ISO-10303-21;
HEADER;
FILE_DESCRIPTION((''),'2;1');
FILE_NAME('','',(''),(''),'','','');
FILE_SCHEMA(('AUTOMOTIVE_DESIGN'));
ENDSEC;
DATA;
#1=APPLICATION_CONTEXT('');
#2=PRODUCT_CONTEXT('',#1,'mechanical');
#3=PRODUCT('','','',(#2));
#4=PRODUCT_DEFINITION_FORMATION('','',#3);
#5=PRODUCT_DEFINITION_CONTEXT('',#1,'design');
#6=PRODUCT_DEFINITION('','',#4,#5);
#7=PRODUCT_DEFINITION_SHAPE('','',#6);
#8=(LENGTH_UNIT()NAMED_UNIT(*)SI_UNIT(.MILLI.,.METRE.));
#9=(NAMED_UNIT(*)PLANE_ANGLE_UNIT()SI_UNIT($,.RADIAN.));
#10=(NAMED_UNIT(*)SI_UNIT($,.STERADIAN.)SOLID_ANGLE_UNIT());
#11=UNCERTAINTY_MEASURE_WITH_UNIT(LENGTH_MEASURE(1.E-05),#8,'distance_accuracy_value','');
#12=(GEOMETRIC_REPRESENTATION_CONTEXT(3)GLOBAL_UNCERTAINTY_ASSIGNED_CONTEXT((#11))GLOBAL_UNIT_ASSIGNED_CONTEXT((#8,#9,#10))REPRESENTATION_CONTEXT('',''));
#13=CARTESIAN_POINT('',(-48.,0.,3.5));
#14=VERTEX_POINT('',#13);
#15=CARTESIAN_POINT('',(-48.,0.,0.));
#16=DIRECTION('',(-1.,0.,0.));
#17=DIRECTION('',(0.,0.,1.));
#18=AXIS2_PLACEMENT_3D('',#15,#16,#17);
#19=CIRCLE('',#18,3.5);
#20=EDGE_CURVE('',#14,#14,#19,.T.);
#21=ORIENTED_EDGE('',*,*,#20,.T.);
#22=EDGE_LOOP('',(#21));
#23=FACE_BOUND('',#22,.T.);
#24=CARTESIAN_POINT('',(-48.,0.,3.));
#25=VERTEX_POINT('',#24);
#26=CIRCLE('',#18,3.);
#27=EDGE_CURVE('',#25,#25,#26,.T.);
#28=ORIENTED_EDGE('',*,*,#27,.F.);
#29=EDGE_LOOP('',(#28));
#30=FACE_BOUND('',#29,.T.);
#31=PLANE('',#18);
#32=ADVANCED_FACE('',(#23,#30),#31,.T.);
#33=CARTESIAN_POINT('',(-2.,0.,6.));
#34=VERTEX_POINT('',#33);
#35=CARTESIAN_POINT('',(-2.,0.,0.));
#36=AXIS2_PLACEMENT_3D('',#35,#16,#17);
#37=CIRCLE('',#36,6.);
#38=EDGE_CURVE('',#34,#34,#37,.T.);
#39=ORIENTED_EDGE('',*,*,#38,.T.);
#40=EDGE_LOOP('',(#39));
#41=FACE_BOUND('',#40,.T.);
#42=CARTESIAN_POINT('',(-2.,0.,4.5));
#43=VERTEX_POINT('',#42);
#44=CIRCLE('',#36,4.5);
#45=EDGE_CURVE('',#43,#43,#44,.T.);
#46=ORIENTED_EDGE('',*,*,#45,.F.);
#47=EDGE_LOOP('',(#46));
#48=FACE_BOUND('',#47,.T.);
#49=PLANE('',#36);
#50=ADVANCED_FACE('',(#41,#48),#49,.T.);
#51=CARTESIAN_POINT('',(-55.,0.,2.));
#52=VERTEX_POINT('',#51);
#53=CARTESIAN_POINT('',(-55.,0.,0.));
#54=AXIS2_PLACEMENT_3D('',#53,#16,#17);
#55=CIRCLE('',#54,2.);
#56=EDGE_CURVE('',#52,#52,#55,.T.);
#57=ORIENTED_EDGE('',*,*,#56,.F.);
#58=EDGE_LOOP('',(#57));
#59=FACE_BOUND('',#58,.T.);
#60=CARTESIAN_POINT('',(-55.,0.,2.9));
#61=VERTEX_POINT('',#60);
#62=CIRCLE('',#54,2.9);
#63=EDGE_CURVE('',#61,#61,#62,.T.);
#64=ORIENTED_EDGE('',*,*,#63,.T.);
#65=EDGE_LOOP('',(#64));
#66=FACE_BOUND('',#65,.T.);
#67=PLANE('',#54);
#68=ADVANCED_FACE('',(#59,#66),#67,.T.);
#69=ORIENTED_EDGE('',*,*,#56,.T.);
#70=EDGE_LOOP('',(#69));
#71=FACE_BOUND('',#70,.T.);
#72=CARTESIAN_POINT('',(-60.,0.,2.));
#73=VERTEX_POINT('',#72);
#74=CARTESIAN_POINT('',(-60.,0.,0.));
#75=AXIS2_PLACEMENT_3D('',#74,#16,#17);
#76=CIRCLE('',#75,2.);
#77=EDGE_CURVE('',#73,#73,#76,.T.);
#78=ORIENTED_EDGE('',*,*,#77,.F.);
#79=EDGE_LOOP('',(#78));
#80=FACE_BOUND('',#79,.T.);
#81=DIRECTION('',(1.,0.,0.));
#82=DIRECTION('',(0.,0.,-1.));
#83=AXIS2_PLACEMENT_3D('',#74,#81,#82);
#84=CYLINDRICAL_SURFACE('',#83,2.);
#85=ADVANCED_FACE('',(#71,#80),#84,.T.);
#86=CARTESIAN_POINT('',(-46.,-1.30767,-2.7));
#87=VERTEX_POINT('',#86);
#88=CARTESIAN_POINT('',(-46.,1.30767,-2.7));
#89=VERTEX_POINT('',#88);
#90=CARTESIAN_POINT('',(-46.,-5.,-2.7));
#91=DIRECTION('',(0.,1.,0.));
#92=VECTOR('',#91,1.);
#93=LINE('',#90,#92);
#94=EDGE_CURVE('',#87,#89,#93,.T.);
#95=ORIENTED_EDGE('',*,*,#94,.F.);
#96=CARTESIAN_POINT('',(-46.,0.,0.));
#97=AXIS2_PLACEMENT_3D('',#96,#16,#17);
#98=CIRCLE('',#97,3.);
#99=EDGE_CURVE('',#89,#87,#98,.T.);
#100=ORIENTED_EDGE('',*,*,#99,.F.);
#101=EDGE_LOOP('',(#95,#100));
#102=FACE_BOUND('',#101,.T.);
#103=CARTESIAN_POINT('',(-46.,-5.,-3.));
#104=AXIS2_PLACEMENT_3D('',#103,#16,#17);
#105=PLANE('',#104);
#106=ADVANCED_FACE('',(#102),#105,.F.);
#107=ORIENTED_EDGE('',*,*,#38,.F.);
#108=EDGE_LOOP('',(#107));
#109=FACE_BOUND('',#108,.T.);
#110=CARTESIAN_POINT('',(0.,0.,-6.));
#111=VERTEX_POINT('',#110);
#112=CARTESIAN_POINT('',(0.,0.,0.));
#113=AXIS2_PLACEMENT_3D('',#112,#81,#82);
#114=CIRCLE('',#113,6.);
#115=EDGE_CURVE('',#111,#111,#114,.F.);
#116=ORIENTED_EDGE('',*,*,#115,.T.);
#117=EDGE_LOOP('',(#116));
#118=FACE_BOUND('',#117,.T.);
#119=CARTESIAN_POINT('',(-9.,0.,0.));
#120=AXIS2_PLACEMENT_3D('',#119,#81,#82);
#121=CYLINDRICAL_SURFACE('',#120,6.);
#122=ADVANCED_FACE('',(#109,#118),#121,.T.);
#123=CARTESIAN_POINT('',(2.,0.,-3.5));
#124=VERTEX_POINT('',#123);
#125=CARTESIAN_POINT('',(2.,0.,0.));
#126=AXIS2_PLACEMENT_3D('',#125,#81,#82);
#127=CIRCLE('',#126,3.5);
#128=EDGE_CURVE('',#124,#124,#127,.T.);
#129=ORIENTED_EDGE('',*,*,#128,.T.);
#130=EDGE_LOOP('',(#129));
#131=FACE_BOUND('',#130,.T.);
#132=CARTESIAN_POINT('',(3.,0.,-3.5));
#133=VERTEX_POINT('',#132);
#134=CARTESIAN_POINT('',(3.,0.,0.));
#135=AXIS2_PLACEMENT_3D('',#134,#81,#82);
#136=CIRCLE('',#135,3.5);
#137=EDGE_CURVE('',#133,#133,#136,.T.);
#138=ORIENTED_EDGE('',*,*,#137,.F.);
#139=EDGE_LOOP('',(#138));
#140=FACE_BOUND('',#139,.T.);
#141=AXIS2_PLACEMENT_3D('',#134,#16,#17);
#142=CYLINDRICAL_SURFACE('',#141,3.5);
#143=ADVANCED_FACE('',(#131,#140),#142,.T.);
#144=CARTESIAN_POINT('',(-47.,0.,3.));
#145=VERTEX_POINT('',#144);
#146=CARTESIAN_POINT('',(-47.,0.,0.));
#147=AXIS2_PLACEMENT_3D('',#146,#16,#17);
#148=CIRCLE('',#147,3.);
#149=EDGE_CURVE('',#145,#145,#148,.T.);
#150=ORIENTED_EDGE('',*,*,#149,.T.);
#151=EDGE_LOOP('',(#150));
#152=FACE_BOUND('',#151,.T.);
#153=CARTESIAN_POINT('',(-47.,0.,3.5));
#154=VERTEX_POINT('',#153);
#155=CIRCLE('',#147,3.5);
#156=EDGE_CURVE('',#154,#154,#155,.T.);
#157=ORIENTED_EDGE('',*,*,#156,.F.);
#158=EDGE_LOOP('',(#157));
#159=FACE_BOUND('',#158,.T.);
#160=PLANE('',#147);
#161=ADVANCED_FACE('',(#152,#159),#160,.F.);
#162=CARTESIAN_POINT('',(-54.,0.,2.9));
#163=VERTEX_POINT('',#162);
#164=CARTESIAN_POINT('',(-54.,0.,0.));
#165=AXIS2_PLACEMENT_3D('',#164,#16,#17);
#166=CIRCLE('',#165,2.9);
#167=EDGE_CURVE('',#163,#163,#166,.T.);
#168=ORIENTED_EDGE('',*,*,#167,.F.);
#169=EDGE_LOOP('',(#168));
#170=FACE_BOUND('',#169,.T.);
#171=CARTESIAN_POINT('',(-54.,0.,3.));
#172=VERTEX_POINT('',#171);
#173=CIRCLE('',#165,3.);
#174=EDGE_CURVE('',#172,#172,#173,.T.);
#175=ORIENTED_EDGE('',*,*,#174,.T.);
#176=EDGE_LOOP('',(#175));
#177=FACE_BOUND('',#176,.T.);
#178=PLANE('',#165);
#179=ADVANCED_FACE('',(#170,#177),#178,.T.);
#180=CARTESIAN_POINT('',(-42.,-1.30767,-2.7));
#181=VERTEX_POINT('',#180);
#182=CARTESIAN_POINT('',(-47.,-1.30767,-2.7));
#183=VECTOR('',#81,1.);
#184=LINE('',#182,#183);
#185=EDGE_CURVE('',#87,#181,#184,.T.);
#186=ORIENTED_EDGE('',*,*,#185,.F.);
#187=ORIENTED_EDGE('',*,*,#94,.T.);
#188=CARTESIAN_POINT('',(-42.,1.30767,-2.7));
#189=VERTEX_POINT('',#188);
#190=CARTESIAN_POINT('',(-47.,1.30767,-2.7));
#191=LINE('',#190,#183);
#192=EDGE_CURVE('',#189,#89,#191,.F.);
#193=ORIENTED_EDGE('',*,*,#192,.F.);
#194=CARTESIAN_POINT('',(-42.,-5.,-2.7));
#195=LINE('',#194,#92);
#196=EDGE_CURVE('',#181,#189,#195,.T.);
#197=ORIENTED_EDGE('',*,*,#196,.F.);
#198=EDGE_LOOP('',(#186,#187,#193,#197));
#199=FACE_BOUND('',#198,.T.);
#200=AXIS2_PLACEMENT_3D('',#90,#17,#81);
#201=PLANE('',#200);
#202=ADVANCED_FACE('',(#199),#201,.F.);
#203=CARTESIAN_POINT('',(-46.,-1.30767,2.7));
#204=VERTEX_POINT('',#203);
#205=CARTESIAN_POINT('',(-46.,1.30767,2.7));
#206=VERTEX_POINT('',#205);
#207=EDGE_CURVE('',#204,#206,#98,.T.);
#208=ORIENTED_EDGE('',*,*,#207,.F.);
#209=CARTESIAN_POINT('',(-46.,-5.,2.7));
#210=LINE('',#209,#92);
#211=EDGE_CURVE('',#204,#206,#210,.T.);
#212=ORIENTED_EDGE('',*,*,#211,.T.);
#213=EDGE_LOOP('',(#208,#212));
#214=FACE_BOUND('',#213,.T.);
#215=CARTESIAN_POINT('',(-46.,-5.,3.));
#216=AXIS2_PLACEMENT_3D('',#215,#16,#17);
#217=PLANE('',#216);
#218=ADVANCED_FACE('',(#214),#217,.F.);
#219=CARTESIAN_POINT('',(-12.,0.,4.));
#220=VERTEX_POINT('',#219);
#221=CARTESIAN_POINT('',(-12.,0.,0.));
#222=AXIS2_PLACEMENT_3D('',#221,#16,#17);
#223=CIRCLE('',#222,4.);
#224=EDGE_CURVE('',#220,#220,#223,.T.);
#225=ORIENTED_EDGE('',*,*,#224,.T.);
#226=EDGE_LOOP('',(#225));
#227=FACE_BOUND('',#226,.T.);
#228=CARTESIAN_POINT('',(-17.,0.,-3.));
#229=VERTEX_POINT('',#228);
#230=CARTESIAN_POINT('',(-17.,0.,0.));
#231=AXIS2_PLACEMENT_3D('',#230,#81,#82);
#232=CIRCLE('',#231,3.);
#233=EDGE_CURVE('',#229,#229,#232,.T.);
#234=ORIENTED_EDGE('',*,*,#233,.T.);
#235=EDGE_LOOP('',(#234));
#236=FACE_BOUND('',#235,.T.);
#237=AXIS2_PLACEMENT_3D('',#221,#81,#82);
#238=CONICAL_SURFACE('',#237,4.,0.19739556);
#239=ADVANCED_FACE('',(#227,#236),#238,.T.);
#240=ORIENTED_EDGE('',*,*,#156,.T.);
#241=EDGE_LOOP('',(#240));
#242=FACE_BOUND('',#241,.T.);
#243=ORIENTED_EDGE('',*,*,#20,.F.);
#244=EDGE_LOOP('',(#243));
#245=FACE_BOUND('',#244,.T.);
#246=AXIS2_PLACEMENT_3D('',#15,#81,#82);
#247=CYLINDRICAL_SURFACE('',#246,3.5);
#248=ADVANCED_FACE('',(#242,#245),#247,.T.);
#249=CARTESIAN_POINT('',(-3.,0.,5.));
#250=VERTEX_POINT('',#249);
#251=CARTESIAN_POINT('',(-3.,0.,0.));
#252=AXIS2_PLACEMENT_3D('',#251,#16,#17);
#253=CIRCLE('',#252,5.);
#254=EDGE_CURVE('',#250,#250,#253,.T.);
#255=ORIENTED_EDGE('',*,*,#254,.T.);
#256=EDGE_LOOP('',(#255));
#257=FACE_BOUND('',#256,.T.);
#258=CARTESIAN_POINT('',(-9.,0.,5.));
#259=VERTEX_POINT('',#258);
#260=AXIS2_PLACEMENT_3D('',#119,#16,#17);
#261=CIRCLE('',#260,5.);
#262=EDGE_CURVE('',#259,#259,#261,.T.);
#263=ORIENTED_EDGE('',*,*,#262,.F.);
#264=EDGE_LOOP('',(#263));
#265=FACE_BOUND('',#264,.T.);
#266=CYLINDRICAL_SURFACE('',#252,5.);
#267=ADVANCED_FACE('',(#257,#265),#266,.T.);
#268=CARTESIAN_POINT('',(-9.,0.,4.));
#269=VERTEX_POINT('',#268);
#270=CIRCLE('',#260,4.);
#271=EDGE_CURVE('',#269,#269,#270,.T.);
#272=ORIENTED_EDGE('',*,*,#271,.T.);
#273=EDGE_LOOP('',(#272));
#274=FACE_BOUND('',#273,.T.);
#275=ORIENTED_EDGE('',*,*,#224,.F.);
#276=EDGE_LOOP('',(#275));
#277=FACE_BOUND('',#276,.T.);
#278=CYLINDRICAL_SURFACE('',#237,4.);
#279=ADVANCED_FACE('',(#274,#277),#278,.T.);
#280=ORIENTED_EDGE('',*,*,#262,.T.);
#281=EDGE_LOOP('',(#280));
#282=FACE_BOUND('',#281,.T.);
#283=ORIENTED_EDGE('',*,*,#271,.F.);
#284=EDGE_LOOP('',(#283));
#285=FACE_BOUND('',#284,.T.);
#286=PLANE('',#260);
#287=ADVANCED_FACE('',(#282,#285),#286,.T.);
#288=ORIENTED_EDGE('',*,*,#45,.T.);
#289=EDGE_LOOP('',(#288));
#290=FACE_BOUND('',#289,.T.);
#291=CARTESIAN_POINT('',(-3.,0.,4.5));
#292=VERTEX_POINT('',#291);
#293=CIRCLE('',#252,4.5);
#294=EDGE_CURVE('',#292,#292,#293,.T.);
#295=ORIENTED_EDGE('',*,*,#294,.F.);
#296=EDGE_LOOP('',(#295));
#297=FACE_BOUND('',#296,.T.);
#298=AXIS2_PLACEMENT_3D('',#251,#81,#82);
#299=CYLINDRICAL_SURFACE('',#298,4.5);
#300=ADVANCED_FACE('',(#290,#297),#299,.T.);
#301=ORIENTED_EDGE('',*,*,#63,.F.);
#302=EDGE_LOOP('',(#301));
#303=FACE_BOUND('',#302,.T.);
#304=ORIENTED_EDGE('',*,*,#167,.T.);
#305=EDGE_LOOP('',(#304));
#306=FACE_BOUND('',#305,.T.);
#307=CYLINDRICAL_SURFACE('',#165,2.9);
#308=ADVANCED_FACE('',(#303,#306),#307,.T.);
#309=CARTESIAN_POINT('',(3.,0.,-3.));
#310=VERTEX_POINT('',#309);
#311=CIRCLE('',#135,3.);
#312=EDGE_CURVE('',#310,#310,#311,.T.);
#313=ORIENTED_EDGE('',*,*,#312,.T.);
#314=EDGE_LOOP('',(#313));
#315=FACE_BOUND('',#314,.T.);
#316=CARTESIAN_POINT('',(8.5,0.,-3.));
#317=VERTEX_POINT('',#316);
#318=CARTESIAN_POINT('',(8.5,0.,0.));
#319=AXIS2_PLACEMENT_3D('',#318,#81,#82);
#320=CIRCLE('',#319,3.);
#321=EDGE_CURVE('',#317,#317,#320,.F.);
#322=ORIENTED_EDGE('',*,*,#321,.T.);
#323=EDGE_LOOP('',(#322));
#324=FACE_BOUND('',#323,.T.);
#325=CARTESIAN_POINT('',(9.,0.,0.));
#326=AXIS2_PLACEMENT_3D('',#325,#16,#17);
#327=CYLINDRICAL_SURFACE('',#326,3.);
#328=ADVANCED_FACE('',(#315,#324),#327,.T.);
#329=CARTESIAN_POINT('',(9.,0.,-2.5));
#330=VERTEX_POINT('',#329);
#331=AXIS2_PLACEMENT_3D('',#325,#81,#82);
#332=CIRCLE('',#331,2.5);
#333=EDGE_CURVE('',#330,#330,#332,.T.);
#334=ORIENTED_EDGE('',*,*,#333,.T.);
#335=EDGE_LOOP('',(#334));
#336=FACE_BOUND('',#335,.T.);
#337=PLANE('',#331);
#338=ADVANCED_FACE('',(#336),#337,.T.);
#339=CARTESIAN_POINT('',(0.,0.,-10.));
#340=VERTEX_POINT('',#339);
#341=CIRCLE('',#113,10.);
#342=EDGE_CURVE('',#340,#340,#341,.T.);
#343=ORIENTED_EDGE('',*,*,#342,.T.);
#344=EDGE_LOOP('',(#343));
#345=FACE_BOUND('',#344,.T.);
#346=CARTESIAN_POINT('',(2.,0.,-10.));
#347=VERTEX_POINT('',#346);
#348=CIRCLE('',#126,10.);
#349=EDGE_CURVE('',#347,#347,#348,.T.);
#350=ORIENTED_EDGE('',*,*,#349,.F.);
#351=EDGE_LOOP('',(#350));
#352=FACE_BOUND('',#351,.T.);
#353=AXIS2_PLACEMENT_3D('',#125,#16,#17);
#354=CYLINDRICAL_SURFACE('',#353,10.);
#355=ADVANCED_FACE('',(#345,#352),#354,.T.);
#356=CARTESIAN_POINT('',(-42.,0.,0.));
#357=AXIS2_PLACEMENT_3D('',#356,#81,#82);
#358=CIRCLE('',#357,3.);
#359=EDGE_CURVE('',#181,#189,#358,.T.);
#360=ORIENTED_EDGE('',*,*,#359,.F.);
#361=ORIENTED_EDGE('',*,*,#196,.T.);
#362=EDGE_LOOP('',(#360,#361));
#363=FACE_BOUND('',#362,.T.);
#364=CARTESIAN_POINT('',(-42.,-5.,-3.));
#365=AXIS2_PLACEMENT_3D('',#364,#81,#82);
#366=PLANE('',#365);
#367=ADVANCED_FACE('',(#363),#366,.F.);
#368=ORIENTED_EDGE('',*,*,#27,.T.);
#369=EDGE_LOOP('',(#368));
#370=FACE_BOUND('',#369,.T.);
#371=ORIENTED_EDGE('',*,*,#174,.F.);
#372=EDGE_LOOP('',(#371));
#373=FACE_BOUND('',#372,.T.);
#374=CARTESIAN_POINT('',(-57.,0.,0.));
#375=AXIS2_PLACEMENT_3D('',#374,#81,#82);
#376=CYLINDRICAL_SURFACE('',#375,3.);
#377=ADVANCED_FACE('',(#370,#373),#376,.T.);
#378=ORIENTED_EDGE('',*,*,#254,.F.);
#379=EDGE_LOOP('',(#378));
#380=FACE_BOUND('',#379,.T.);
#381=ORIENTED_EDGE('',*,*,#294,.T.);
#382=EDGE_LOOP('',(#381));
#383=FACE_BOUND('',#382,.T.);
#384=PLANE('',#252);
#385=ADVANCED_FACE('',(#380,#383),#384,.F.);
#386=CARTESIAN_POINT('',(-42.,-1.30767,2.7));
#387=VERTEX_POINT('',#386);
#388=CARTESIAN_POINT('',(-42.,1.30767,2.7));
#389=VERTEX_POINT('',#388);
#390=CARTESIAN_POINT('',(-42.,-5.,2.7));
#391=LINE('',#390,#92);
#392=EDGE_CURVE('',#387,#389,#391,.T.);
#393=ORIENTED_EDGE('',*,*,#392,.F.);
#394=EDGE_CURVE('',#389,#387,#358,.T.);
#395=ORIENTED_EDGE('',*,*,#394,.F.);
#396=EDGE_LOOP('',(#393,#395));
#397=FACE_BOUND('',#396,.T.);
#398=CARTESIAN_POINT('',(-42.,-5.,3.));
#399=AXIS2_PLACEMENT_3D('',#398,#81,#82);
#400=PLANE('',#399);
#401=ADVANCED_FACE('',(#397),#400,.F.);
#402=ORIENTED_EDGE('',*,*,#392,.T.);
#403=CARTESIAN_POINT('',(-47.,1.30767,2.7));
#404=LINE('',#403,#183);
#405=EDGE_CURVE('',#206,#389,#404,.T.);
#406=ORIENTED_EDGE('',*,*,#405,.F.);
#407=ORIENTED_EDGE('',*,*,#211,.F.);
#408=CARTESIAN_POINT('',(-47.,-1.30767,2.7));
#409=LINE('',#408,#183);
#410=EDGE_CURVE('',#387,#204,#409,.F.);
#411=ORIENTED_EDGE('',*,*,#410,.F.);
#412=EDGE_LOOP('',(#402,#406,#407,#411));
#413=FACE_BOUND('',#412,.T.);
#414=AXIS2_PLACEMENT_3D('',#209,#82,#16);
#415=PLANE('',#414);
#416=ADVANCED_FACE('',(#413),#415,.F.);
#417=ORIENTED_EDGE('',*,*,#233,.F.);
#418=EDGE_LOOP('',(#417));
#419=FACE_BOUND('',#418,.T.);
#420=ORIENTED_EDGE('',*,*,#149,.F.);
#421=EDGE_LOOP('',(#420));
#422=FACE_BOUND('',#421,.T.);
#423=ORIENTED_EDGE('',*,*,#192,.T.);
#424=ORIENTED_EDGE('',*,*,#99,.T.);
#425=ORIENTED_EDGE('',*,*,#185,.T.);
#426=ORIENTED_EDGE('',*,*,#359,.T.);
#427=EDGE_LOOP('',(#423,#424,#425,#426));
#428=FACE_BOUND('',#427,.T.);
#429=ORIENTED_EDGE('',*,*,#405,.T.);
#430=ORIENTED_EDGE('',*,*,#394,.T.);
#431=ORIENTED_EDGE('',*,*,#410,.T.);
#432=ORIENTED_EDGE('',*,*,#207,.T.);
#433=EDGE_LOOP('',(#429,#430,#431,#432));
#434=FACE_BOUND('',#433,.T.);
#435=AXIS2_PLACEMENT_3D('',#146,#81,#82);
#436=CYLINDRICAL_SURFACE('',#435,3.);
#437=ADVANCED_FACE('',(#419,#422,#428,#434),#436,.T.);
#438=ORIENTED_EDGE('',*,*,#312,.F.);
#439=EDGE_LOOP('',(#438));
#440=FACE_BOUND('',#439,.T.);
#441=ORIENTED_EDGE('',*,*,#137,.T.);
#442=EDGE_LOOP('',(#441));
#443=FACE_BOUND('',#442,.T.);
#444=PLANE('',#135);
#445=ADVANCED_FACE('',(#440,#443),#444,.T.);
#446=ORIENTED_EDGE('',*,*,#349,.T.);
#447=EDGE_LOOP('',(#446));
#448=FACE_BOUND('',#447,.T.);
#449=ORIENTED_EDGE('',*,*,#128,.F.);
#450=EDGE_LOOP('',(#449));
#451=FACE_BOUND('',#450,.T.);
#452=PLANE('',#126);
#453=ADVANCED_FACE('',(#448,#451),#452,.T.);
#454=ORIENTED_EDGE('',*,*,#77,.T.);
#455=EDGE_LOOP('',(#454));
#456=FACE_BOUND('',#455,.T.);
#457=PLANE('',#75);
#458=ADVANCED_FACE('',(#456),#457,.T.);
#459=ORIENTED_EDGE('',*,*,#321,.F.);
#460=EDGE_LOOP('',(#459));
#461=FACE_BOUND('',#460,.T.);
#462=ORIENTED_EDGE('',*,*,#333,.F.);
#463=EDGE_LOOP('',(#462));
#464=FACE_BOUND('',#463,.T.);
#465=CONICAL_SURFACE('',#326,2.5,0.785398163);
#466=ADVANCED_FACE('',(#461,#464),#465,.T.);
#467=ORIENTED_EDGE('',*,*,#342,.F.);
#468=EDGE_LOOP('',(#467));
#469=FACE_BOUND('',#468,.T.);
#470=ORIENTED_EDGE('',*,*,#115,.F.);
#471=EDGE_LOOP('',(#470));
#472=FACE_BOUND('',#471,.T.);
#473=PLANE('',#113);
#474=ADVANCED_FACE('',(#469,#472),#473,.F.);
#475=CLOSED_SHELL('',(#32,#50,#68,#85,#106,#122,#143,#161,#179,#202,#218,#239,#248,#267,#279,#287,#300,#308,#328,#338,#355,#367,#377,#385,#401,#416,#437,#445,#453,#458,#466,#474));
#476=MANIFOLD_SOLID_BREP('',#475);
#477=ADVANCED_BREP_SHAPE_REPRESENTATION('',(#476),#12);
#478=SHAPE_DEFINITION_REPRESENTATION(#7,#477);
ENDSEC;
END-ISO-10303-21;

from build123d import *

# Parameters (mm, degrees)
SKETCH_1_R          = 10
EXTRUDE_1_DEPTH     = 2
SKETCH_2_R          = 3.5
EXTRUDE_2_DEPTH     = 1
SKETCH_3_R          = 6
EXTRUDE_3_DEPTH     = 9
SKETCH_4_R          = 4
EXTRUDE_4_DEPTH     = 3
SKETCH_5_R          = 3
EXTRUDE_5_DEPTH     = 6
EXTRUDE_START       = 35
SKETCH_6_R          = 3
EXTRUDE_6_DEPTH     = 35
EXTRUDE_START_2     = 1
SKETCH_7_R          = 3.5
EXTRUDE_7_DEPTH     = 1
EXTRUDE_START_3     = 9
SKETCH_8_R          = 3
EXTRUDE_8_DEPTH     = 9
SKETCH_9_R          = 2
EXTRUDE_9_DEPTH     = 3
CHAMFER_1_SIZE      = 0.5
SKETCH_11_W         = 4
SKETCH_11_H         = 0.3
CUT_EXTRUDE_2_DEPTH = 5
CUT_EXTRUDE_START   = 2
SKETCH_12_R         = 6
SKETCH_12_R_2       = 4.5
CUT_EXTRUDE_3_DEPTH = 1
CUT_EXTRUDE_START_2 = -6
SKETCH_13_R         = 6
SKETCH_13_R_2       = 5
CUT_EXTRUDE_4_DEPTH = 6
SKETCH_15_R         = 3
SKETCH_15_R_2       = 2.9
CUT_EXTRUDE_5_DEPTH = 3
SKETCH_16_R         = 2.9
SKETCH_16_R_2       = 2
CUT_EXTRUDE_8_DEPTH = 2


with BuildPart() as part:
    # 草图1 → 凸台-拉伸1 (new body)
    with BuildSketch(Plane(origin=(0, 0, 0), x_dir=(0, 0, -1), z_dir=(1, 0, 0))):
        Circle(SKETCH_1_R)
    extrude(amount=EXTRUDE_1_DEPTH)

    # 草图2 → 凸台-拉伸2 (add)
    with BuildSketch(Plane(origin=(2, 0, 0), x_dir=(0, 0, -1), z_dir=(1, 0, 0))):
        Circle(SKETCH_2_R)
    extrude(amount=EXTRUDE_2_DEPTH)

    # 草图3 → 凸台-拉伸3 (add)
    with BuildSketch(Plane.ZY):
        with Locations(Location((0, 0, 0), (0, 0, 180))):
            Circle(SKETCH_3_R)
    extrude(amount=EXTRUDE_3_DEPTH)

    # 草图4 → 凸台-拉伸4 (add)
    with BuildSketch(Plane.ZY.offset(9)):
        Circle(SKETCH_4_R)
    extrude(amount=EXTRUDE_4_DEPTH)

    # 草图5 → 凸台-拉伸5 (add)
    with BuildSketch(Plane(origin=(3, 0, 0), x_dir=(0, 0, -1), z_dir=(1, 0, 0))):
        Circle(SKETCH_5_R)
    extrude(amount=EXTRUDE_5_DEPTH)

    # 草图6 → 凸台-拉伸6 (add)
    with BuildSketch(Plane.ZY.offset(12).offset(EXTRUDE_START)):
        with Locations(Location((0, 0, 0), (0, 0, 180))):
            Circle(SKETCH_6_R)
    extrude(amount=-EXTRUDE_6_DEPTH)

    # 草图7 → 凸台-拉伸7 (add)
    with BuildSketch(Plane.ZY.offset(47).offset(EXTRUDE_START_2)):
        with Locations(Location((0, 0, 0), (0, 0, 180))):
            Circle(SKETCH_7_R)
    extrude(amount=-EXTRUDE_7_DEPTH)

    # 草图8 → 凸台-拉伸8 (add)
    with BuildSketch(Plane.ZY.offset(48).offset(EXTRUDE_START_3)):
        with Locations(Location((0, 0, 0), (0, 0, 180))):
            Circle(SKETCH_8_R)
    extrude(amount=-EXTRUDE_8_DEPTH)

    # 草图9 → 凸台-拉伸9 (add)
    with BuildSketch(Plane.ZY.offset(57)):
        Circle(SKETCH_9_R)
    extrude(amount=EXTRUDE_9_DEPTH)

    # 倒角1
    chamfer_1_edges = [part.edges().sort_by_distance(p)[0] for p in [
        (9, 0, 3),
    ]]
    chamfer(chamfer_1_edges, length=CHAMFER_1_SIZE)

    # 草图11 → 切除-拉伸2 (cut, symmetric)
    with BuildSketch(Plane(origin=(0, 0, 0), x_dir=(1, 0, 0), z_dir=(0, 1, 0))):
        with Locations((-44, 2.85)):
            Rectangle(SKETCH_11_W, SKETCH_11_H)
        with Locations((-44, -2.85)):
            Rectangle(SKETCH_11_W, SKETCH_11_H)
    extrude(amount=CUT_EXTRUDE_2_DEPTH, both=True, mode=Mode.SUBTRACT)

    # 草图12 → 切除-拉伸3 (cut)
    with BuildSketch(Plane.ZY.offset(CUT_EXTRUDE_START)):
        Circle(SKETCH_12_R)
        Circle(SKETCH_12_R_2, mode=Mode.SUBTRACT)
    extrude(amount=CUT_EXTRUDE_3_DEPTH, mode=Mode.SUBTRACT)

    # 草图13 → 切除-拉伸4 (cut)
    with BuildSketch(Plane.ZY.offset(9).offset(CUT_EXTRUDE_START_2)):
        with Locations(Location((0, 0, 0), (0, 0, 180))):
            Circle(SKETCH_13_R)
        Circle(SKETCH_13_R_2, mode=Mode.SUBTRACT)
    extrude(amount=CUT_EXTRUDE_4_DEPTH, mode=Mode.SUBTRACT)

    # 草图14 → 旋转1 (revolve)
    with BuildSketch(Plane.XY, mode=Mode.PRIVATE) as revolve_1_sk:
        Polygon((-12, 4), (-17, 3), (-12, 3), align=None)
    revolve(revolve_1_sk.sketch.rotate(Axis((-6.238584256, 0, 0), (-1, 0, 0)), 90), axis=Axis((-6.238584256, 0, 0), (-1, 0, 0)))

    # 草图15 → 切除-拉伸5 (cut)
    with BuildSketch(Plane.ZY.offset(57)):
        Circle(SKETCH_15_R)
        Circle(SKETCH_15_R_2, mode=Mode.SUBTRACT)
    extrude(amount=-CUT_EXTRUDE_5_DEPTH, mode=Mode.SUBTRACT)

    # 草图16 → 切除-拉伸8 (cut)
    with BuildSketch(Plane.ZY.offset(57)):
        Circle(SKETCH_16_R)
        Circle(SKETCH_16_R_2, mode=Mode.SUBTRACT)
    extrude(amount=-CUT_EXTRUDE_8_DEPTH, mode=Mode.SUBTRACT)


solid = part.part
